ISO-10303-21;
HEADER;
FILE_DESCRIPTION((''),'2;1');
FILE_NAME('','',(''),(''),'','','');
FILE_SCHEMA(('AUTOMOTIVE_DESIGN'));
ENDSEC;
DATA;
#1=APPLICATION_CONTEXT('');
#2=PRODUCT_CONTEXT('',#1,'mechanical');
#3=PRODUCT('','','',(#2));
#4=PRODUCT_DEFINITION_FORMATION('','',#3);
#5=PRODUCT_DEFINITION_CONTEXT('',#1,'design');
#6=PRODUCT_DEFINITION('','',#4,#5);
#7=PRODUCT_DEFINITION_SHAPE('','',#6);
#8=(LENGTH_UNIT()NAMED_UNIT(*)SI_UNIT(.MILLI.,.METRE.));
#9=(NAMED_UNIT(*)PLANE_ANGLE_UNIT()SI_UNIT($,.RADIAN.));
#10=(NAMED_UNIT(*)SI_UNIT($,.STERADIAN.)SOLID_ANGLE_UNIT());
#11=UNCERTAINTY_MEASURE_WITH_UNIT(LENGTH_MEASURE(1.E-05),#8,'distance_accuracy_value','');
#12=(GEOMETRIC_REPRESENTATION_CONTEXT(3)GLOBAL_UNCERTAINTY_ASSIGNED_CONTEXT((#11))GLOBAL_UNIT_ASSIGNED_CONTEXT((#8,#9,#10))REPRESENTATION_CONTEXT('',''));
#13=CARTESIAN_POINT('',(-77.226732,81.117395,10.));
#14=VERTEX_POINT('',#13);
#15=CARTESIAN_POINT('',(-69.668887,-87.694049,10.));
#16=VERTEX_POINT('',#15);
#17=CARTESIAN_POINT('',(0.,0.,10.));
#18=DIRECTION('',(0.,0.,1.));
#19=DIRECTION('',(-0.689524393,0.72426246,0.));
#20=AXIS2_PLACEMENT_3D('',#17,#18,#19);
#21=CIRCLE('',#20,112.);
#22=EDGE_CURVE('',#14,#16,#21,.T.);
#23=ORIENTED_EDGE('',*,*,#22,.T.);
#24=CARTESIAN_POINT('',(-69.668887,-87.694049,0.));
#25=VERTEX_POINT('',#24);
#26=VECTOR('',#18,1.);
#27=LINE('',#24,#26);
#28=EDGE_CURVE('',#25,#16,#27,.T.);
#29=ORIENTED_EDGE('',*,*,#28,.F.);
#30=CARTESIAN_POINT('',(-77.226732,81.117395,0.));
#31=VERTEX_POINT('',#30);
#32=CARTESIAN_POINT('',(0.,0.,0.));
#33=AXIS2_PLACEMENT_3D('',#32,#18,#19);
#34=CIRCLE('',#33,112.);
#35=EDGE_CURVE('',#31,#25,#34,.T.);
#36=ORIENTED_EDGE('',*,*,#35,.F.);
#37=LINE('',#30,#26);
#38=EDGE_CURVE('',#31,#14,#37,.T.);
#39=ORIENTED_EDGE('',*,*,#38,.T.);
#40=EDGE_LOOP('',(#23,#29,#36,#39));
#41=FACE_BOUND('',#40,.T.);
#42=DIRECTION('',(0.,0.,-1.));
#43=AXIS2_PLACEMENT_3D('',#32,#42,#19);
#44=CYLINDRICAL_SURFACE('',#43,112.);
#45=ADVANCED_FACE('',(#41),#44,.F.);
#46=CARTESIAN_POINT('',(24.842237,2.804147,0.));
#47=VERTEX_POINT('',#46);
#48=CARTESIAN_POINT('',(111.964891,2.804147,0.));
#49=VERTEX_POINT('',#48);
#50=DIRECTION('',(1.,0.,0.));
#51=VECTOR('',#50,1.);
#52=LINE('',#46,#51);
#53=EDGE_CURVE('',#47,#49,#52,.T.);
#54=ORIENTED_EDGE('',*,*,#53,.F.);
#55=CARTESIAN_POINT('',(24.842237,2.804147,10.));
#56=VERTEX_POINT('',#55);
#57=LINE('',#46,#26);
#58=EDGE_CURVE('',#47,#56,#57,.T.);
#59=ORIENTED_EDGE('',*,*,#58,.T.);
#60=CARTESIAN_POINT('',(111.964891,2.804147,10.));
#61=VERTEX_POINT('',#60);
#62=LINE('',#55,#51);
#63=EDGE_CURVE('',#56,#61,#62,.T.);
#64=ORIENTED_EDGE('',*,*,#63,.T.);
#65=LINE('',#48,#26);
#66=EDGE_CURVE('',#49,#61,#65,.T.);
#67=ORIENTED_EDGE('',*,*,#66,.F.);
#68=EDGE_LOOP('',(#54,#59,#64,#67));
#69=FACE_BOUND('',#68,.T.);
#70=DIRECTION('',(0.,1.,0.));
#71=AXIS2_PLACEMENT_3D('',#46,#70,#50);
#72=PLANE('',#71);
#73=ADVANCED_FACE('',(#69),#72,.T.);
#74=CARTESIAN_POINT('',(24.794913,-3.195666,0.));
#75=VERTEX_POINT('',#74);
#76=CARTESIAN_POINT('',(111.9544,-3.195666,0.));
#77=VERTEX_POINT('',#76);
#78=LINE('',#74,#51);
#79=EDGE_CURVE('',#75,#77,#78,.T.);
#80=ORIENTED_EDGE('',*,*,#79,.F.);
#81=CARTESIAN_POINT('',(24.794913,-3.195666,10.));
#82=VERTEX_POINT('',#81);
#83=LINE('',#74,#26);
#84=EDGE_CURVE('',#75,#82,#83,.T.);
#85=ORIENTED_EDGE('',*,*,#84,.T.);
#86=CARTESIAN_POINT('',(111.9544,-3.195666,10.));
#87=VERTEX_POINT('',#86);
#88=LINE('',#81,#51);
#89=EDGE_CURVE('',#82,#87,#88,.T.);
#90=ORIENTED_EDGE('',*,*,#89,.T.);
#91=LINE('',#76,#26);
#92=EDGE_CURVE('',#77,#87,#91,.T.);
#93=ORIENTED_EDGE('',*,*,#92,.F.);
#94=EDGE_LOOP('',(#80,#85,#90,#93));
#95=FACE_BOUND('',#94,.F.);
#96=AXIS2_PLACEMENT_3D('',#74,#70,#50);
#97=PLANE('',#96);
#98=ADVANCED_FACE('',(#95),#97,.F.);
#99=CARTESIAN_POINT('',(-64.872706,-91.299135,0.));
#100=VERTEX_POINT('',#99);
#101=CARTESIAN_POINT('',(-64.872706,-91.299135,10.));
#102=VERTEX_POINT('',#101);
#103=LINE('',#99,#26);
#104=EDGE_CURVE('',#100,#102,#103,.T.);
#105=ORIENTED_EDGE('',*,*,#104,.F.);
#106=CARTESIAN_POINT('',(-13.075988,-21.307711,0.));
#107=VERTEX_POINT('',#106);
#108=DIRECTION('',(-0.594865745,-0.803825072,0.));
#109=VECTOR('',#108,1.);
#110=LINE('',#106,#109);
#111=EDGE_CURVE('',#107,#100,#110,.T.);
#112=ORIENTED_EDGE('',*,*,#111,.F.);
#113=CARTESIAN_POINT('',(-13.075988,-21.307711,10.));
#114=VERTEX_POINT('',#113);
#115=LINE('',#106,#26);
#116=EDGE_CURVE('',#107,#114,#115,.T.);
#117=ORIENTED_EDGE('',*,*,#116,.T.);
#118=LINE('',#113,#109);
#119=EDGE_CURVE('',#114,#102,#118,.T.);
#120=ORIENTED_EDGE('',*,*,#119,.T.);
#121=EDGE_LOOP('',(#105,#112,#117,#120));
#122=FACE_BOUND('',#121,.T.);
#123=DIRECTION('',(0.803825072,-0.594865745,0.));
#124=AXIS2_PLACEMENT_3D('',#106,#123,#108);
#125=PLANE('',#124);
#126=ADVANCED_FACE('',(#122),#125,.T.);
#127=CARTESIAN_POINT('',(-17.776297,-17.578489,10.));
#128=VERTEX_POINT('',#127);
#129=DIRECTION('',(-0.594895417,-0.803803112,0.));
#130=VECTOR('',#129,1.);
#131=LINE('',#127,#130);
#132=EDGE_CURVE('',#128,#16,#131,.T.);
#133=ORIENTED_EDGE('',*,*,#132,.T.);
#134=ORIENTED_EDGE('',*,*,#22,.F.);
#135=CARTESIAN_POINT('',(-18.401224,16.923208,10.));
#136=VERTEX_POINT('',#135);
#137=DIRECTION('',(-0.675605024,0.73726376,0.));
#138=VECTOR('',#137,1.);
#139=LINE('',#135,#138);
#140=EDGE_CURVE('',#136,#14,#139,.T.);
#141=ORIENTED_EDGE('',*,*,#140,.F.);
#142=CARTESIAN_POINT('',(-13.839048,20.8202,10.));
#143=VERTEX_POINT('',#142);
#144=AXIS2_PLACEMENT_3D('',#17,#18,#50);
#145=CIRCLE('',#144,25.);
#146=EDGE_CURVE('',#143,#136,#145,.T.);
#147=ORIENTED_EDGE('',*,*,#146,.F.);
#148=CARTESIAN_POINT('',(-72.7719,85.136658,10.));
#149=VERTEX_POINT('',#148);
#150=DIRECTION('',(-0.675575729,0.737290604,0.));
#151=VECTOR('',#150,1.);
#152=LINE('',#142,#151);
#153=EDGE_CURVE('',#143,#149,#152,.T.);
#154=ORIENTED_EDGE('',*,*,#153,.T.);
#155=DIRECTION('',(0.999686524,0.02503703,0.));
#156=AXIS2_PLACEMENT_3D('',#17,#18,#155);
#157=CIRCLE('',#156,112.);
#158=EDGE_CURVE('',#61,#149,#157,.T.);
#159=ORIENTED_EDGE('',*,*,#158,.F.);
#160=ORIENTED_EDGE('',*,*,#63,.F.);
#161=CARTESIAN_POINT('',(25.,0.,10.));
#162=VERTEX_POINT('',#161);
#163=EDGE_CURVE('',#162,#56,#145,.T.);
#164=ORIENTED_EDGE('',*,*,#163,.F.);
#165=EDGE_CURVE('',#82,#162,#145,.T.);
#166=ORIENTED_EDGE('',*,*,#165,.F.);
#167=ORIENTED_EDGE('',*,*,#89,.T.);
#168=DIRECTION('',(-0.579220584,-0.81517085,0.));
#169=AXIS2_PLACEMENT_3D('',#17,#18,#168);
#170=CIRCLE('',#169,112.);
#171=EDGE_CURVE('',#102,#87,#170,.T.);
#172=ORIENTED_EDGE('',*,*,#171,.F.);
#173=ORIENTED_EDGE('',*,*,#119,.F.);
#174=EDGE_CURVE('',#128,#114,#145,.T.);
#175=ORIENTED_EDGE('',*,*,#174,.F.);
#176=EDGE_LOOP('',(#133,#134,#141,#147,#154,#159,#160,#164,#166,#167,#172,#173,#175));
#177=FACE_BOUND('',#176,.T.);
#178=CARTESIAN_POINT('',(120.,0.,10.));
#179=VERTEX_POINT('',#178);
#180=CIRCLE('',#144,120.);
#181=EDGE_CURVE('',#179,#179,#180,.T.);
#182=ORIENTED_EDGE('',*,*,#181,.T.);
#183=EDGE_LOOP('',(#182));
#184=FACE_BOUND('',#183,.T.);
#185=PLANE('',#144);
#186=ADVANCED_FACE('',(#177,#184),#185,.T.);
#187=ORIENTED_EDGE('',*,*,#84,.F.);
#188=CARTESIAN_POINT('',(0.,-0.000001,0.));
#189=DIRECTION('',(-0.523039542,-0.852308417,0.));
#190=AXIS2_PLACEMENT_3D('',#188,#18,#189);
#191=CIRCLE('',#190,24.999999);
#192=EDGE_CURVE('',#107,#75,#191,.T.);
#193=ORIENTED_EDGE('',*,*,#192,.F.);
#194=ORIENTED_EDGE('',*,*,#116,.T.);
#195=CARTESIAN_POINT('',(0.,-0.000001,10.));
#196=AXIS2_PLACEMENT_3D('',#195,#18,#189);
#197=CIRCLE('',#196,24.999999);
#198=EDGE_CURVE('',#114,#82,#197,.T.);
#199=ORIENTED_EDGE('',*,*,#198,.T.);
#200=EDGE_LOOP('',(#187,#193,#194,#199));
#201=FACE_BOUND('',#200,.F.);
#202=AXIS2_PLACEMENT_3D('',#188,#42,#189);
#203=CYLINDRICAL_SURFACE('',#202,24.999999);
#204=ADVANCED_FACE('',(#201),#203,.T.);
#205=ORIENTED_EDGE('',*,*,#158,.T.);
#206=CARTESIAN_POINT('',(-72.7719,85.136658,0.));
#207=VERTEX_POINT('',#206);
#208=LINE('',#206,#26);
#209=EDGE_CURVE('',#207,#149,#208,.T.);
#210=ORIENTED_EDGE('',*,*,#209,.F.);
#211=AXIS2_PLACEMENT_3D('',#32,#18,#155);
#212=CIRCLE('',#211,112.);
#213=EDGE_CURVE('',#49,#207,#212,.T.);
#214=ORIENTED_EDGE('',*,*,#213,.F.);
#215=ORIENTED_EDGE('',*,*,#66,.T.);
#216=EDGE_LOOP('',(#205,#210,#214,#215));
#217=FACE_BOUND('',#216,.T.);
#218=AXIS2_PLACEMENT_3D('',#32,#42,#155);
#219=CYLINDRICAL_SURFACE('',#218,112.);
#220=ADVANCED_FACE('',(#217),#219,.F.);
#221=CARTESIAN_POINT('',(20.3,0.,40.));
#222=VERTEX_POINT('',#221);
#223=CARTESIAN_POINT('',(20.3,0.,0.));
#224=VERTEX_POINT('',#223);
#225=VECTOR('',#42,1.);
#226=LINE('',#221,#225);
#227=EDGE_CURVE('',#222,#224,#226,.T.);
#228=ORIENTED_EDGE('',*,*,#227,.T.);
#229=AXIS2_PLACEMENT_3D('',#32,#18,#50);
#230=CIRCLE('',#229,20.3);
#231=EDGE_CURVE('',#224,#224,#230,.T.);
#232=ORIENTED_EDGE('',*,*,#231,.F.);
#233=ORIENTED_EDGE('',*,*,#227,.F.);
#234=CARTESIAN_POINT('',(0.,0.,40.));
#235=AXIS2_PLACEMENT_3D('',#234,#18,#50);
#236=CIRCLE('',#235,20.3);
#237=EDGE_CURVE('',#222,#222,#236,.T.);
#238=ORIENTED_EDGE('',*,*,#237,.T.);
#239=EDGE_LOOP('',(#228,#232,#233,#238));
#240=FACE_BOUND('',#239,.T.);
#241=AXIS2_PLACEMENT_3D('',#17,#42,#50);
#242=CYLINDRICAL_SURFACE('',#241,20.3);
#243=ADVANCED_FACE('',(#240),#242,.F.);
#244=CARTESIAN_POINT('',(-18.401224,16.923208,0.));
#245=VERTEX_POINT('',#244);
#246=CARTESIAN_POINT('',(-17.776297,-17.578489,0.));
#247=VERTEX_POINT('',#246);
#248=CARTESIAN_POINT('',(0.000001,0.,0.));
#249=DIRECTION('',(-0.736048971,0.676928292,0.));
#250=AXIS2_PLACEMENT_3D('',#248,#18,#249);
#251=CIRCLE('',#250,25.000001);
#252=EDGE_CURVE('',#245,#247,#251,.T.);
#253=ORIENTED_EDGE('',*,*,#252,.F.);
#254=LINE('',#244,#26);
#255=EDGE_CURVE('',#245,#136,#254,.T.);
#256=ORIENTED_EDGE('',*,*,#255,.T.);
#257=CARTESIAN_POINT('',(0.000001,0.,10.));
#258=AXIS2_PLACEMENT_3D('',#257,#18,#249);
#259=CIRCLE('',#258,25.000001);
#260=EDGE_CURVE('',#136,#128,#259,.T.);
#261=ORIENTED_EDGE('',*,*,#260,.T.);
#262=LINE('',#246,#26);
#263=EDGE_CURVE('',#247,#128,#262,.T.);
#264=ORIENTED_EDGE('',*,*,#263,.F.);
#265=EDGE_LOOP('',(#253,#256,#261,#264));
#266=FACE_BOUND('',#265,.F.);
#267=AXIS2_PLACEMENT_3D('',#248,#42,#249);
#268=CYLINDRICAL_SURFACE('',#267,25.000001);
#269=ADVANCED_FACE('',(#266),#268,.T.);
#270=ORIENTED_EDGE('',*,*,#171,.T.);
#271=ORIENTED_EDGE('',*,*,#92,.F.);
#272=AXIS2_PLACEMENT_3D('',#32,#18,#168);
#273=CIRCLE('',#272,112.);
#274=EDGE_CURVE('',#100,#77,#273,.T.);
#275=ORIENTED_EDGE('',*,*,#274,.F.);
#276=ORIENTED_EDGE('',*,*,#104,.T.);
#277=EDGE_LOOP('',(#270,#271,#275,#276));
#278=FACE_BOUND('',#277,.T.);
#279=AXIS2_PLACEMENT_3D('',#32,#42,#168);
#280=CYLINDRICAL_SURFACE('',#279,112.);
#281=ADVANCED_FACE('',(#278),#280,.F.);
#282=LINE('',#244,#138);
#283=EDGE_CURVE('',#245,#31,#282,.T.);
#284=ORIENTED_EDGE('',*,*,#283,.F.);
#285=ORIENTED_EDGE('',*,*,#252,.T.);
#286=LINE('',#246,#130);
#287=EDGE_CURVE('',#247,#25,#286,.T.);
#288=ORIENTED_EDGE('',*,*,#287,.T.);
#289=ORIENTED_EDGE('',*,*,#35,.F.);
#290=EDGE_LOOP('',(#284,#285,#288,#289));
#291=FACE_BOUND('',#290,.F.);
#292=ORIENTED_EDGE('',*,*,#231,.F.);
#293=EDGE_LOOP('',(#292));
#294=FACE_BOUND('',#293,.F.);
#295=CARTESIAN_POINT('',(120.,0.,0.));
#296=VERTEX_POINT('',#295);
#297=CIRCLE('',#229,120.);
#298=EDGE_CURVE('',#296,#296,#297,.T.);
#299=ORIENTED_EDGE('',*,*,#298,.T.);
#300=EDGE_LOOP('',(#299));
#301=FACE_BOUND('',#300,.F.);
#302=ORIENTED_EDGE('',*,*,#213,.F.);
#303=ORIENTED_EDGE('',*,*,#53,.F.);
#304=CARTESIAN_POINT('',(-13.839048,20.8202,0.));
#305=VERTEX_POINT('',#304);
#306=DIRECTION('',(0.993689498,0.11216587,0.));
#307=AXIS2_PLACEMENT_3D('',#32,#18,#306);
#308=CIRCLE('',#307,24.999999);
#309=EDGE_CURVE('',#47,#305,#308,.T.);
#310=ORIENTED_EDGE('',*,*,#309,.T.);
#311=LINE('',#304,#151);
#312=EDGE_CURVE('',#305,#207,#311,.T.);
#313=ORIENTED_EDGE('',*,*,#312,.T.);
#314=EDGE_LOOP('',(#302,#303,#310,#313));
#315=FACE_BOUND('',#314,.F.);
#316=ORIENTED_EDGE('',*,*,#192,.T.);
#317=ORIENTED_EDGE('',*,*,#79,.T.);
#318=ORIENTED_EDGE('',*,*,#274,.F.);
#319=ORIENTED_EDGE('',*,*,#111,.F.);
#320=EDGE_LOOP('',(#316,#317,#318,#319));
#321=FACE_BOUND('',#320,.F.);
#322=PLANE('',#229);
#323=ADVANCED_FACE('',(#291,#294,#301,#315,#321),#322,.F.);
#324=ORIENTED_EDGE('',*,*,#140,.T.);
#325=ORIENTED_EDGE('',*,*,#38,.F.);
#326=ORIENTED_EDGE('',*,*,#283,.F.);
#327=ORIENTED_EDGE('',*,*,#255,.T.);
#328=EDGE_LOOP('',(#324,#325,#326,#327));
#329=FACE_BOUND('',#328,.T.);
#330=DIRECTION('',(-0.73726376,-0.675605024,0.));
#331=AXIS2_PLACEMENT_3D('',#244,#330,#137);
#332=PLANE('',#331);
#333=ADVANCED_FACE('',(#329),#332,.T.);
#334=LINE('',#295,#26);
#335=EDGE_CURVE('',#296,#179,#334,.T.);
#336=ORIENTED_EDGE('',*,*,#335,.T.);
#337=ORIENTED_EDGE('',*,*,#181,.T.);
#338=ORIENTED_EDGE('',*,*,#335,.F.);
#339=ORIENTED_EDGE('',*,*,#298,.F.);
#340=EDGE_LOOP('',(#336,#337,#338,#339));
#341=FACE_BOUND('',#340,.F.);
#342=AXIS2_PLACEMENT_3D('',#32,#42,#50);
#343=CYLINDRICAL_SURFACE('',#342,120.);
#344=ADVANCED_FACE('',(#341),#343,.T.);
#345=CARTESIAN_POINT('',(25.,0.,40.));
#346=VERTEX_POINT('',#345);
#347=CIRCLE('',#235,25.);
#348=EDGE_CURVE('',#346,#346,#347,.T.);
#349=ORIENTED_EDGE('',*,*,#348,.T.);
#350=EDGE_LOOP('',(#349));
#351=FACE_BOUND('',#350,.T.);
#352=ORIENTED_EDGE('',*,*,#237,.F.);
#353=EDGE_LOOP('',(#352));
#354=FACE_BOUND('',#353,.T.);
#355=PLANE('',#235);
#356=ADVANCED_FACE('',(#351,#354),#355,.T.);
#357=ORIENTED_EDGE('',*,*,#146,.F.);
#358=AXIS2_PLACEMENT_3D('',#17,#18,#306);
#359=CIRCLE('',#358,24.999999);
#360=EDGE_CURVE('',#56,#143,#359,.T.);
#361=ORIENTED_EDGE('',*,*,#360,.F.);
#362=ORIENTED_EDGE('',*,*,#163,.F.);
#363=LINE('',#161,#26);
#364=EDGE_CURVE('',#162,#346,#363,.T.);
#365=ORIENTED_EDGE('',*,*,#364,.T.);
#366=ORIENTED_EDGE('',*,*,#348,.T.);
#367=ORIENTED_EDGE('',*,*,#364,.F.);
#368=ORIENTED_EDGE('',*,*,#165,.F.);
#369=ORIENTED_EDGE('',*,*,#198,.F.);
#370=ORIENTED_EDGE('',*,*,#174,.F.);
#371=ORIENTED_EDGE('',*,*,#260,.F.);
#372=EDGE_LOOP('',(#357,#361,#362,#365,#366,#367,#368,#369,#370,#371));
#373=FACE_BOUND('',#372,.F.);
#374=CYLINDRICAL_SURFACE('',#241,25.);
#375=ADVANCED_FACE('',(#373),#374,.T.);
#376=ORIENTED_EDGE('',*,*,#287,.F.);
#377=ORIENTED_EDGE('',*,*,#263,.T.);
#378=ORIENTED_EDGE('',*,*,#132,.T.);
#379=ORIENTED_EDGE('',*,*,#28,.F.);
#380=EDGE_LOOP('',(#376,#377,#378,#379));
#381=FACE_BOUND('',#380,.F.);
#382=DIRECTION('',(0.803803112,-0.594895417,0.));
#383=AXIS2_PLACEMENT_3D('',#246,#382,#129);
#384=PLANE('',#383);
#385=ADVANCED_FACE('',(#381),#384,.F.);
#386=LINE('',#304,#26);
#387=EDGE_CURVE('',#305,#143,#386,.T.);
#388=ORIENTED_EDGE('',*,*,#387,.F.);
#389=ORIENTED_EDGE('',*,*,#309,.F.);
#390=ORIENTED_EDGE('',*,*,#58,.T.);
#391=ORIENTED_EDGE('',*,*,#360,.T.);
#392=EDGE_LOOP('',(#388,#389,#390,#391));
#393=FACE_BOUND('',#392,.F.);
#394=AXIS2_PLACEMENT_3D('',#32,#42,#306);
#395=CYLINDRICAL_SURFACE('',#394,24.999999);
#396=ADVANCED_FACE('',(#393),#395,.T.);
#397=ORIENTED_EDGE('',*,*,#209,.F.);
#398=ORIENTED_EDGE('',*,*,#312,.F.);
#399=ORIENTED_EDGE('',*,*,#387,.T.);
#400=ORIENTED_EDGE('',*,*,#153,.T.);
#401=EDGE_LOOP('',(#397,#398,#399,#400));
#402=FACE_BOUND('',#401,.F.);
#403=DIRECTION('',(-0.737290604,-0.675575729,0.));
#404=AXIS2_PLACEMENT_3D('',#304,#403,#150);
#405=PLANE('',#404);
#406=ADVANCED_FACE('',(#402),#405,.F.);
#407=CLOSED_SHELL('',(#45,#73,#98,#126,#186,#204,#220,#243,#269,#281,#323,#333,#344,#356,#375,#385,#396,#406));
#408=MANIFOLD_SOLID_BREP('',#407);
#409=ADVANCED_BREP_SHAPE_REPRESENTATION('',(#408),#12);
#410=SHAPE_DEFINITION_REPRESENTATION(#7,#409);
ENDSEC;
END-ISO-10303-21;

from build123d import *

# Parameters (mm, degrees)
SKETCH_R      = 120
SKETCH_R_2    = 20.3
PAD_DEPTH     = 10
SKETCH001_R   = 25
SKETCH001_R_2 = 20.3
PAD001_DEPTH  = 30


with BuildPart() as part:
    # Sketch → Pad (new body)
    with BuildSketch(Plane.XY):
        Circle(SKETCH_R)
        Circle(SKETCH_R_2, mode=Mode.SUBTRACT)
        with BuildLine():
            ThreePointArc((111.964891, 2.804147), (45.592578, 102.300131), (-72.7719, 85.136658))
            Line((-13.839048, 20.8202), (-72.7719, 85.136658))
            ThreePointArc((24.842237, 2.804147), (10.555192, 22.662478), (-13.839048, 20.8202))
            Line((24.842237, 2.804147), (111.964891, 2.804147))
        make_face(mode=Mode.SUBTRACT)
        with BuildLine():
            Line((24.794913, -3.195666), (111.9544, -3.195666))
            ThreePointArc((-64.872706, -91.299135), (49.94724, -100.246063), (111.9544, -3.195666))
            Line((-13.075988, -21.307711), (-64.872706, -91.299135))
            ThreePointArc((-13.075988, -21.307711), (10.786327, -22.553385), (24.794913, -3.195666))
        make_face(mode=Mode.SUBTRACT)
        with BuildLine():
            Line((-17.776297, -17.578489), (-69.668887, -87.694049))
            ThreePointArc((-77.226732, 81.117395), (-111.88792, -5.009326), (-69.668887, -87.694049))
            Line((-18.401224, 16.923208), (-77.226732, 81.117395))
            ThreePointArc((-18.401224, 16.923208), (-24.9959, -0.452749), (-17.776297, -17.578489))
        make_face(mode=Mode.SUBTRACT)
    extrude(amount=PAD_DEPTH)

    # Sketch001 (on Face16 of Pad) → Pad001 (join)
    with BuildSketch(Plane.XY.offset(10)):
        Circle(SKETCH001_R)
        Circle(SKETCH001_R_2, mode=Mode.SUBTRACT)
    extrude(amount=PAD001_DEPTH)


solid = part.part
